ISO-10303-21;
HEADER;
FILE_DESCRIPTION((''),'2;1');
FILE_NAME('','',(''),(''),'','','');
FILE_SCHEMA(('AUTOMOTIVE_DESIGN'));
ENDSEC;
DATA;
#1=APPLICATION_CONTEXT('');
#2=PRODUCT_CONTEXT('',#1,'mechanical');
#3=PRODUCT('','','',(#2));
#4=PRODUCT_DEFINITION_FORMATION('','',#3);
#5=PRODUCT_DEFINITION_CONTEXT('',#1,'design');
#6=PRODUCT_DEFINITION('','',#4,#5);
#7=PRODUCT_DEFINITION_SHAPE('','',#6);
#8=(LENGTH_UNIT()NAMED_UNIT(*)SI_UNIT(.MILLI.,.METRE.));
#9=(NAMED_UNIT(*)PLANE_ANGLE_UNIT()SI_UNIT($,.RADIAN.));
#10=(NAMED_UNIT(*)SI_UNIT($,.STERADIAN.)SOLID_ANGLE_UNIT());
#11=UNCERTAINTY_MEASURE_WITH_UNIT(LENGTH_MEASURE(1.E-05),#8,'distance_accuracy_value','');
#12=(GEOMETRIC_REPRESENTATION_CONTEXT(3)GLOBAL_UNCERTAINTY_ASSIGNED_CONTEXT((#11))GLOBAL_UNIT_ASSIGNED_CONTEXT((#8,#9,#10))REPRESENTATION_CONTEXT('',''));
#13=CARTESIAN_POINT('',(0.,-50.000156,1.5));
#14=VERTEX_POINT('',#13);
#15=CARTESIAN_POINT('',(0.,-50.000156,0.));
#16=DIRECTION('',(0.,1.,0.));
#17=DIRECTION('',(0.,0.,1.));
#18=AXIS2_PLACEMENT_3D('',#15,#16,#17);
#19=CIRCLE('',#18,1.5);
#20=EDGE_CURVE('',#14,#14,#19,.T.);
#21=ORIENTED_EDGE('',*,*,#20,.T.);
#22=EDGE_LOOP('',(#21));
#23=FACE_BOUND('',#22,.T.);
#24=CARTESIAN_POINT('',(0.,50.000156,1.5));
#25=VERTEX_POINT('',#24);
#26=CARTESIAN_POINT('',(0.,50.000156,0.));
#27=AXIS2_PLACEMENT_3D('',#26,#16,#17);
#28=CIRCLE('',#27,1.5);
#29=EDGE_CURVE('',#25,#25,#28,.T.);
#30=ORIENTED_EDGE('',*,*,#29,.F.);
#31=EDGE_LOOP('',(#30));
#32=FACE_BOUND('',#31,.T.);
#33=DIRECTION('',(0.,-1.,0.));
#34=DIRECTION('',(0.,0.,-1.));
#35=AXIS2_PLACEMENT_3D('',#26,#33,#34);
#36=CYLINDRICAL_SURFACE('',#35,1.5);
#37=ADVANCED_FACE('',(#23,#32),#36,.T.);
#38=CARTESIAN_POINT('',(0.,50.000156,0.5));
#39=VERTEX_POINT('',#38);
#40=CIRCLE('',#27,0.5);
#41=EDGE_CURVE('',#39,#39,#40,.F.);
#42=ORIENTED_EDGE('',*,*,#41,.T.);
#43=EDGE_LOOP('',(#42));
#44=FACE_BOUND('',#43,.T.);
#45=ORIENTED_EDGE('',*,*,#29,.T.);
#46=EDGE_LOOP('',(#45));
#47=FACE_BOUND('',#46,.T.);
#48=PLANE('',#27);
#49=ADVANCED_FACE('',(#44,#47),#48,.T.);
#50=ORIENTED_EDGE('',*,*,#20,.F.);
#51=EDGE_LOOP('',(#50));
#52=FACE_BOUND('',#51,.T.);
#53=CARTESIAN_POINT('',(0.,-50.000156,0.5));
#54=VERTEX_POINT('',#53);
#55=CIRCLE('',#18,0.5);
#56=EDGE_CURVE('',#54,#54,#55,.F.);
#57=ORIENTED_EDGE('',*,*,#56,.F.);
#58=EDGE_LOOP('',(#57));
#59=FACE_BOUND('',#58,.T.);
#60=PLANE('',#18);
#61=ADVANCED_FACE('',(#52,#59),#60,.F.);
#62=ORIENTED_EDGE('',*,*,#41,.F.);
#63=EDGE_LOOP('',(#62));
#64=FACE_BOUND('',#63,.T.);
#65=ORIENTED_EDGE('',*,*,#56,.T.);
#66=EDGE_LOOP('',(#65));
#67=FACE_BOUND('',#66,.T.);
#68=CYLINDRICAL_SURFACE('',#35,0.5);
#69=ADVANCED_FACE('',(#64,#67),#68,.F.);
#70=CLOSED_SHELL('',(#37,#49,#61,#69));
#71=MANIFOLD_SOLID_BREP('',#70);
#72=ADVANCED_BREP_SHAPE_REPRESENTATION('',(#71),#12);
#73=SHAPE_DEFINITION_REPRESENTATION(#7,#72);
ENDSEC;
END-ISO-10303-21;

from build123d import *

# Parameters (mm, degrees)
SKETCH1_R   = 1.5
SKETCH1_R_2 = 0.5


with BuildPart() as part:
    # Sweep1: sweep along a path in Sketch2
    with BuildLine(Plane.XY) as sweep1_path:
        Line((0, 50.00015625), (0, -50.00015625))
    # Sketch1 → Sweep1 (sweep)
    with BuildSketch(Plane(origin=(0, 0, 0), x_dir=(1, 0, 0), z_dir=(0, 1, 0))):
        Circle(SKETCH1_R)
        Circle(SKETCH1_R_2, mode=Mode.SUBTRACT)
    sweep(path=sweep1_path.line)


solid = part.part
